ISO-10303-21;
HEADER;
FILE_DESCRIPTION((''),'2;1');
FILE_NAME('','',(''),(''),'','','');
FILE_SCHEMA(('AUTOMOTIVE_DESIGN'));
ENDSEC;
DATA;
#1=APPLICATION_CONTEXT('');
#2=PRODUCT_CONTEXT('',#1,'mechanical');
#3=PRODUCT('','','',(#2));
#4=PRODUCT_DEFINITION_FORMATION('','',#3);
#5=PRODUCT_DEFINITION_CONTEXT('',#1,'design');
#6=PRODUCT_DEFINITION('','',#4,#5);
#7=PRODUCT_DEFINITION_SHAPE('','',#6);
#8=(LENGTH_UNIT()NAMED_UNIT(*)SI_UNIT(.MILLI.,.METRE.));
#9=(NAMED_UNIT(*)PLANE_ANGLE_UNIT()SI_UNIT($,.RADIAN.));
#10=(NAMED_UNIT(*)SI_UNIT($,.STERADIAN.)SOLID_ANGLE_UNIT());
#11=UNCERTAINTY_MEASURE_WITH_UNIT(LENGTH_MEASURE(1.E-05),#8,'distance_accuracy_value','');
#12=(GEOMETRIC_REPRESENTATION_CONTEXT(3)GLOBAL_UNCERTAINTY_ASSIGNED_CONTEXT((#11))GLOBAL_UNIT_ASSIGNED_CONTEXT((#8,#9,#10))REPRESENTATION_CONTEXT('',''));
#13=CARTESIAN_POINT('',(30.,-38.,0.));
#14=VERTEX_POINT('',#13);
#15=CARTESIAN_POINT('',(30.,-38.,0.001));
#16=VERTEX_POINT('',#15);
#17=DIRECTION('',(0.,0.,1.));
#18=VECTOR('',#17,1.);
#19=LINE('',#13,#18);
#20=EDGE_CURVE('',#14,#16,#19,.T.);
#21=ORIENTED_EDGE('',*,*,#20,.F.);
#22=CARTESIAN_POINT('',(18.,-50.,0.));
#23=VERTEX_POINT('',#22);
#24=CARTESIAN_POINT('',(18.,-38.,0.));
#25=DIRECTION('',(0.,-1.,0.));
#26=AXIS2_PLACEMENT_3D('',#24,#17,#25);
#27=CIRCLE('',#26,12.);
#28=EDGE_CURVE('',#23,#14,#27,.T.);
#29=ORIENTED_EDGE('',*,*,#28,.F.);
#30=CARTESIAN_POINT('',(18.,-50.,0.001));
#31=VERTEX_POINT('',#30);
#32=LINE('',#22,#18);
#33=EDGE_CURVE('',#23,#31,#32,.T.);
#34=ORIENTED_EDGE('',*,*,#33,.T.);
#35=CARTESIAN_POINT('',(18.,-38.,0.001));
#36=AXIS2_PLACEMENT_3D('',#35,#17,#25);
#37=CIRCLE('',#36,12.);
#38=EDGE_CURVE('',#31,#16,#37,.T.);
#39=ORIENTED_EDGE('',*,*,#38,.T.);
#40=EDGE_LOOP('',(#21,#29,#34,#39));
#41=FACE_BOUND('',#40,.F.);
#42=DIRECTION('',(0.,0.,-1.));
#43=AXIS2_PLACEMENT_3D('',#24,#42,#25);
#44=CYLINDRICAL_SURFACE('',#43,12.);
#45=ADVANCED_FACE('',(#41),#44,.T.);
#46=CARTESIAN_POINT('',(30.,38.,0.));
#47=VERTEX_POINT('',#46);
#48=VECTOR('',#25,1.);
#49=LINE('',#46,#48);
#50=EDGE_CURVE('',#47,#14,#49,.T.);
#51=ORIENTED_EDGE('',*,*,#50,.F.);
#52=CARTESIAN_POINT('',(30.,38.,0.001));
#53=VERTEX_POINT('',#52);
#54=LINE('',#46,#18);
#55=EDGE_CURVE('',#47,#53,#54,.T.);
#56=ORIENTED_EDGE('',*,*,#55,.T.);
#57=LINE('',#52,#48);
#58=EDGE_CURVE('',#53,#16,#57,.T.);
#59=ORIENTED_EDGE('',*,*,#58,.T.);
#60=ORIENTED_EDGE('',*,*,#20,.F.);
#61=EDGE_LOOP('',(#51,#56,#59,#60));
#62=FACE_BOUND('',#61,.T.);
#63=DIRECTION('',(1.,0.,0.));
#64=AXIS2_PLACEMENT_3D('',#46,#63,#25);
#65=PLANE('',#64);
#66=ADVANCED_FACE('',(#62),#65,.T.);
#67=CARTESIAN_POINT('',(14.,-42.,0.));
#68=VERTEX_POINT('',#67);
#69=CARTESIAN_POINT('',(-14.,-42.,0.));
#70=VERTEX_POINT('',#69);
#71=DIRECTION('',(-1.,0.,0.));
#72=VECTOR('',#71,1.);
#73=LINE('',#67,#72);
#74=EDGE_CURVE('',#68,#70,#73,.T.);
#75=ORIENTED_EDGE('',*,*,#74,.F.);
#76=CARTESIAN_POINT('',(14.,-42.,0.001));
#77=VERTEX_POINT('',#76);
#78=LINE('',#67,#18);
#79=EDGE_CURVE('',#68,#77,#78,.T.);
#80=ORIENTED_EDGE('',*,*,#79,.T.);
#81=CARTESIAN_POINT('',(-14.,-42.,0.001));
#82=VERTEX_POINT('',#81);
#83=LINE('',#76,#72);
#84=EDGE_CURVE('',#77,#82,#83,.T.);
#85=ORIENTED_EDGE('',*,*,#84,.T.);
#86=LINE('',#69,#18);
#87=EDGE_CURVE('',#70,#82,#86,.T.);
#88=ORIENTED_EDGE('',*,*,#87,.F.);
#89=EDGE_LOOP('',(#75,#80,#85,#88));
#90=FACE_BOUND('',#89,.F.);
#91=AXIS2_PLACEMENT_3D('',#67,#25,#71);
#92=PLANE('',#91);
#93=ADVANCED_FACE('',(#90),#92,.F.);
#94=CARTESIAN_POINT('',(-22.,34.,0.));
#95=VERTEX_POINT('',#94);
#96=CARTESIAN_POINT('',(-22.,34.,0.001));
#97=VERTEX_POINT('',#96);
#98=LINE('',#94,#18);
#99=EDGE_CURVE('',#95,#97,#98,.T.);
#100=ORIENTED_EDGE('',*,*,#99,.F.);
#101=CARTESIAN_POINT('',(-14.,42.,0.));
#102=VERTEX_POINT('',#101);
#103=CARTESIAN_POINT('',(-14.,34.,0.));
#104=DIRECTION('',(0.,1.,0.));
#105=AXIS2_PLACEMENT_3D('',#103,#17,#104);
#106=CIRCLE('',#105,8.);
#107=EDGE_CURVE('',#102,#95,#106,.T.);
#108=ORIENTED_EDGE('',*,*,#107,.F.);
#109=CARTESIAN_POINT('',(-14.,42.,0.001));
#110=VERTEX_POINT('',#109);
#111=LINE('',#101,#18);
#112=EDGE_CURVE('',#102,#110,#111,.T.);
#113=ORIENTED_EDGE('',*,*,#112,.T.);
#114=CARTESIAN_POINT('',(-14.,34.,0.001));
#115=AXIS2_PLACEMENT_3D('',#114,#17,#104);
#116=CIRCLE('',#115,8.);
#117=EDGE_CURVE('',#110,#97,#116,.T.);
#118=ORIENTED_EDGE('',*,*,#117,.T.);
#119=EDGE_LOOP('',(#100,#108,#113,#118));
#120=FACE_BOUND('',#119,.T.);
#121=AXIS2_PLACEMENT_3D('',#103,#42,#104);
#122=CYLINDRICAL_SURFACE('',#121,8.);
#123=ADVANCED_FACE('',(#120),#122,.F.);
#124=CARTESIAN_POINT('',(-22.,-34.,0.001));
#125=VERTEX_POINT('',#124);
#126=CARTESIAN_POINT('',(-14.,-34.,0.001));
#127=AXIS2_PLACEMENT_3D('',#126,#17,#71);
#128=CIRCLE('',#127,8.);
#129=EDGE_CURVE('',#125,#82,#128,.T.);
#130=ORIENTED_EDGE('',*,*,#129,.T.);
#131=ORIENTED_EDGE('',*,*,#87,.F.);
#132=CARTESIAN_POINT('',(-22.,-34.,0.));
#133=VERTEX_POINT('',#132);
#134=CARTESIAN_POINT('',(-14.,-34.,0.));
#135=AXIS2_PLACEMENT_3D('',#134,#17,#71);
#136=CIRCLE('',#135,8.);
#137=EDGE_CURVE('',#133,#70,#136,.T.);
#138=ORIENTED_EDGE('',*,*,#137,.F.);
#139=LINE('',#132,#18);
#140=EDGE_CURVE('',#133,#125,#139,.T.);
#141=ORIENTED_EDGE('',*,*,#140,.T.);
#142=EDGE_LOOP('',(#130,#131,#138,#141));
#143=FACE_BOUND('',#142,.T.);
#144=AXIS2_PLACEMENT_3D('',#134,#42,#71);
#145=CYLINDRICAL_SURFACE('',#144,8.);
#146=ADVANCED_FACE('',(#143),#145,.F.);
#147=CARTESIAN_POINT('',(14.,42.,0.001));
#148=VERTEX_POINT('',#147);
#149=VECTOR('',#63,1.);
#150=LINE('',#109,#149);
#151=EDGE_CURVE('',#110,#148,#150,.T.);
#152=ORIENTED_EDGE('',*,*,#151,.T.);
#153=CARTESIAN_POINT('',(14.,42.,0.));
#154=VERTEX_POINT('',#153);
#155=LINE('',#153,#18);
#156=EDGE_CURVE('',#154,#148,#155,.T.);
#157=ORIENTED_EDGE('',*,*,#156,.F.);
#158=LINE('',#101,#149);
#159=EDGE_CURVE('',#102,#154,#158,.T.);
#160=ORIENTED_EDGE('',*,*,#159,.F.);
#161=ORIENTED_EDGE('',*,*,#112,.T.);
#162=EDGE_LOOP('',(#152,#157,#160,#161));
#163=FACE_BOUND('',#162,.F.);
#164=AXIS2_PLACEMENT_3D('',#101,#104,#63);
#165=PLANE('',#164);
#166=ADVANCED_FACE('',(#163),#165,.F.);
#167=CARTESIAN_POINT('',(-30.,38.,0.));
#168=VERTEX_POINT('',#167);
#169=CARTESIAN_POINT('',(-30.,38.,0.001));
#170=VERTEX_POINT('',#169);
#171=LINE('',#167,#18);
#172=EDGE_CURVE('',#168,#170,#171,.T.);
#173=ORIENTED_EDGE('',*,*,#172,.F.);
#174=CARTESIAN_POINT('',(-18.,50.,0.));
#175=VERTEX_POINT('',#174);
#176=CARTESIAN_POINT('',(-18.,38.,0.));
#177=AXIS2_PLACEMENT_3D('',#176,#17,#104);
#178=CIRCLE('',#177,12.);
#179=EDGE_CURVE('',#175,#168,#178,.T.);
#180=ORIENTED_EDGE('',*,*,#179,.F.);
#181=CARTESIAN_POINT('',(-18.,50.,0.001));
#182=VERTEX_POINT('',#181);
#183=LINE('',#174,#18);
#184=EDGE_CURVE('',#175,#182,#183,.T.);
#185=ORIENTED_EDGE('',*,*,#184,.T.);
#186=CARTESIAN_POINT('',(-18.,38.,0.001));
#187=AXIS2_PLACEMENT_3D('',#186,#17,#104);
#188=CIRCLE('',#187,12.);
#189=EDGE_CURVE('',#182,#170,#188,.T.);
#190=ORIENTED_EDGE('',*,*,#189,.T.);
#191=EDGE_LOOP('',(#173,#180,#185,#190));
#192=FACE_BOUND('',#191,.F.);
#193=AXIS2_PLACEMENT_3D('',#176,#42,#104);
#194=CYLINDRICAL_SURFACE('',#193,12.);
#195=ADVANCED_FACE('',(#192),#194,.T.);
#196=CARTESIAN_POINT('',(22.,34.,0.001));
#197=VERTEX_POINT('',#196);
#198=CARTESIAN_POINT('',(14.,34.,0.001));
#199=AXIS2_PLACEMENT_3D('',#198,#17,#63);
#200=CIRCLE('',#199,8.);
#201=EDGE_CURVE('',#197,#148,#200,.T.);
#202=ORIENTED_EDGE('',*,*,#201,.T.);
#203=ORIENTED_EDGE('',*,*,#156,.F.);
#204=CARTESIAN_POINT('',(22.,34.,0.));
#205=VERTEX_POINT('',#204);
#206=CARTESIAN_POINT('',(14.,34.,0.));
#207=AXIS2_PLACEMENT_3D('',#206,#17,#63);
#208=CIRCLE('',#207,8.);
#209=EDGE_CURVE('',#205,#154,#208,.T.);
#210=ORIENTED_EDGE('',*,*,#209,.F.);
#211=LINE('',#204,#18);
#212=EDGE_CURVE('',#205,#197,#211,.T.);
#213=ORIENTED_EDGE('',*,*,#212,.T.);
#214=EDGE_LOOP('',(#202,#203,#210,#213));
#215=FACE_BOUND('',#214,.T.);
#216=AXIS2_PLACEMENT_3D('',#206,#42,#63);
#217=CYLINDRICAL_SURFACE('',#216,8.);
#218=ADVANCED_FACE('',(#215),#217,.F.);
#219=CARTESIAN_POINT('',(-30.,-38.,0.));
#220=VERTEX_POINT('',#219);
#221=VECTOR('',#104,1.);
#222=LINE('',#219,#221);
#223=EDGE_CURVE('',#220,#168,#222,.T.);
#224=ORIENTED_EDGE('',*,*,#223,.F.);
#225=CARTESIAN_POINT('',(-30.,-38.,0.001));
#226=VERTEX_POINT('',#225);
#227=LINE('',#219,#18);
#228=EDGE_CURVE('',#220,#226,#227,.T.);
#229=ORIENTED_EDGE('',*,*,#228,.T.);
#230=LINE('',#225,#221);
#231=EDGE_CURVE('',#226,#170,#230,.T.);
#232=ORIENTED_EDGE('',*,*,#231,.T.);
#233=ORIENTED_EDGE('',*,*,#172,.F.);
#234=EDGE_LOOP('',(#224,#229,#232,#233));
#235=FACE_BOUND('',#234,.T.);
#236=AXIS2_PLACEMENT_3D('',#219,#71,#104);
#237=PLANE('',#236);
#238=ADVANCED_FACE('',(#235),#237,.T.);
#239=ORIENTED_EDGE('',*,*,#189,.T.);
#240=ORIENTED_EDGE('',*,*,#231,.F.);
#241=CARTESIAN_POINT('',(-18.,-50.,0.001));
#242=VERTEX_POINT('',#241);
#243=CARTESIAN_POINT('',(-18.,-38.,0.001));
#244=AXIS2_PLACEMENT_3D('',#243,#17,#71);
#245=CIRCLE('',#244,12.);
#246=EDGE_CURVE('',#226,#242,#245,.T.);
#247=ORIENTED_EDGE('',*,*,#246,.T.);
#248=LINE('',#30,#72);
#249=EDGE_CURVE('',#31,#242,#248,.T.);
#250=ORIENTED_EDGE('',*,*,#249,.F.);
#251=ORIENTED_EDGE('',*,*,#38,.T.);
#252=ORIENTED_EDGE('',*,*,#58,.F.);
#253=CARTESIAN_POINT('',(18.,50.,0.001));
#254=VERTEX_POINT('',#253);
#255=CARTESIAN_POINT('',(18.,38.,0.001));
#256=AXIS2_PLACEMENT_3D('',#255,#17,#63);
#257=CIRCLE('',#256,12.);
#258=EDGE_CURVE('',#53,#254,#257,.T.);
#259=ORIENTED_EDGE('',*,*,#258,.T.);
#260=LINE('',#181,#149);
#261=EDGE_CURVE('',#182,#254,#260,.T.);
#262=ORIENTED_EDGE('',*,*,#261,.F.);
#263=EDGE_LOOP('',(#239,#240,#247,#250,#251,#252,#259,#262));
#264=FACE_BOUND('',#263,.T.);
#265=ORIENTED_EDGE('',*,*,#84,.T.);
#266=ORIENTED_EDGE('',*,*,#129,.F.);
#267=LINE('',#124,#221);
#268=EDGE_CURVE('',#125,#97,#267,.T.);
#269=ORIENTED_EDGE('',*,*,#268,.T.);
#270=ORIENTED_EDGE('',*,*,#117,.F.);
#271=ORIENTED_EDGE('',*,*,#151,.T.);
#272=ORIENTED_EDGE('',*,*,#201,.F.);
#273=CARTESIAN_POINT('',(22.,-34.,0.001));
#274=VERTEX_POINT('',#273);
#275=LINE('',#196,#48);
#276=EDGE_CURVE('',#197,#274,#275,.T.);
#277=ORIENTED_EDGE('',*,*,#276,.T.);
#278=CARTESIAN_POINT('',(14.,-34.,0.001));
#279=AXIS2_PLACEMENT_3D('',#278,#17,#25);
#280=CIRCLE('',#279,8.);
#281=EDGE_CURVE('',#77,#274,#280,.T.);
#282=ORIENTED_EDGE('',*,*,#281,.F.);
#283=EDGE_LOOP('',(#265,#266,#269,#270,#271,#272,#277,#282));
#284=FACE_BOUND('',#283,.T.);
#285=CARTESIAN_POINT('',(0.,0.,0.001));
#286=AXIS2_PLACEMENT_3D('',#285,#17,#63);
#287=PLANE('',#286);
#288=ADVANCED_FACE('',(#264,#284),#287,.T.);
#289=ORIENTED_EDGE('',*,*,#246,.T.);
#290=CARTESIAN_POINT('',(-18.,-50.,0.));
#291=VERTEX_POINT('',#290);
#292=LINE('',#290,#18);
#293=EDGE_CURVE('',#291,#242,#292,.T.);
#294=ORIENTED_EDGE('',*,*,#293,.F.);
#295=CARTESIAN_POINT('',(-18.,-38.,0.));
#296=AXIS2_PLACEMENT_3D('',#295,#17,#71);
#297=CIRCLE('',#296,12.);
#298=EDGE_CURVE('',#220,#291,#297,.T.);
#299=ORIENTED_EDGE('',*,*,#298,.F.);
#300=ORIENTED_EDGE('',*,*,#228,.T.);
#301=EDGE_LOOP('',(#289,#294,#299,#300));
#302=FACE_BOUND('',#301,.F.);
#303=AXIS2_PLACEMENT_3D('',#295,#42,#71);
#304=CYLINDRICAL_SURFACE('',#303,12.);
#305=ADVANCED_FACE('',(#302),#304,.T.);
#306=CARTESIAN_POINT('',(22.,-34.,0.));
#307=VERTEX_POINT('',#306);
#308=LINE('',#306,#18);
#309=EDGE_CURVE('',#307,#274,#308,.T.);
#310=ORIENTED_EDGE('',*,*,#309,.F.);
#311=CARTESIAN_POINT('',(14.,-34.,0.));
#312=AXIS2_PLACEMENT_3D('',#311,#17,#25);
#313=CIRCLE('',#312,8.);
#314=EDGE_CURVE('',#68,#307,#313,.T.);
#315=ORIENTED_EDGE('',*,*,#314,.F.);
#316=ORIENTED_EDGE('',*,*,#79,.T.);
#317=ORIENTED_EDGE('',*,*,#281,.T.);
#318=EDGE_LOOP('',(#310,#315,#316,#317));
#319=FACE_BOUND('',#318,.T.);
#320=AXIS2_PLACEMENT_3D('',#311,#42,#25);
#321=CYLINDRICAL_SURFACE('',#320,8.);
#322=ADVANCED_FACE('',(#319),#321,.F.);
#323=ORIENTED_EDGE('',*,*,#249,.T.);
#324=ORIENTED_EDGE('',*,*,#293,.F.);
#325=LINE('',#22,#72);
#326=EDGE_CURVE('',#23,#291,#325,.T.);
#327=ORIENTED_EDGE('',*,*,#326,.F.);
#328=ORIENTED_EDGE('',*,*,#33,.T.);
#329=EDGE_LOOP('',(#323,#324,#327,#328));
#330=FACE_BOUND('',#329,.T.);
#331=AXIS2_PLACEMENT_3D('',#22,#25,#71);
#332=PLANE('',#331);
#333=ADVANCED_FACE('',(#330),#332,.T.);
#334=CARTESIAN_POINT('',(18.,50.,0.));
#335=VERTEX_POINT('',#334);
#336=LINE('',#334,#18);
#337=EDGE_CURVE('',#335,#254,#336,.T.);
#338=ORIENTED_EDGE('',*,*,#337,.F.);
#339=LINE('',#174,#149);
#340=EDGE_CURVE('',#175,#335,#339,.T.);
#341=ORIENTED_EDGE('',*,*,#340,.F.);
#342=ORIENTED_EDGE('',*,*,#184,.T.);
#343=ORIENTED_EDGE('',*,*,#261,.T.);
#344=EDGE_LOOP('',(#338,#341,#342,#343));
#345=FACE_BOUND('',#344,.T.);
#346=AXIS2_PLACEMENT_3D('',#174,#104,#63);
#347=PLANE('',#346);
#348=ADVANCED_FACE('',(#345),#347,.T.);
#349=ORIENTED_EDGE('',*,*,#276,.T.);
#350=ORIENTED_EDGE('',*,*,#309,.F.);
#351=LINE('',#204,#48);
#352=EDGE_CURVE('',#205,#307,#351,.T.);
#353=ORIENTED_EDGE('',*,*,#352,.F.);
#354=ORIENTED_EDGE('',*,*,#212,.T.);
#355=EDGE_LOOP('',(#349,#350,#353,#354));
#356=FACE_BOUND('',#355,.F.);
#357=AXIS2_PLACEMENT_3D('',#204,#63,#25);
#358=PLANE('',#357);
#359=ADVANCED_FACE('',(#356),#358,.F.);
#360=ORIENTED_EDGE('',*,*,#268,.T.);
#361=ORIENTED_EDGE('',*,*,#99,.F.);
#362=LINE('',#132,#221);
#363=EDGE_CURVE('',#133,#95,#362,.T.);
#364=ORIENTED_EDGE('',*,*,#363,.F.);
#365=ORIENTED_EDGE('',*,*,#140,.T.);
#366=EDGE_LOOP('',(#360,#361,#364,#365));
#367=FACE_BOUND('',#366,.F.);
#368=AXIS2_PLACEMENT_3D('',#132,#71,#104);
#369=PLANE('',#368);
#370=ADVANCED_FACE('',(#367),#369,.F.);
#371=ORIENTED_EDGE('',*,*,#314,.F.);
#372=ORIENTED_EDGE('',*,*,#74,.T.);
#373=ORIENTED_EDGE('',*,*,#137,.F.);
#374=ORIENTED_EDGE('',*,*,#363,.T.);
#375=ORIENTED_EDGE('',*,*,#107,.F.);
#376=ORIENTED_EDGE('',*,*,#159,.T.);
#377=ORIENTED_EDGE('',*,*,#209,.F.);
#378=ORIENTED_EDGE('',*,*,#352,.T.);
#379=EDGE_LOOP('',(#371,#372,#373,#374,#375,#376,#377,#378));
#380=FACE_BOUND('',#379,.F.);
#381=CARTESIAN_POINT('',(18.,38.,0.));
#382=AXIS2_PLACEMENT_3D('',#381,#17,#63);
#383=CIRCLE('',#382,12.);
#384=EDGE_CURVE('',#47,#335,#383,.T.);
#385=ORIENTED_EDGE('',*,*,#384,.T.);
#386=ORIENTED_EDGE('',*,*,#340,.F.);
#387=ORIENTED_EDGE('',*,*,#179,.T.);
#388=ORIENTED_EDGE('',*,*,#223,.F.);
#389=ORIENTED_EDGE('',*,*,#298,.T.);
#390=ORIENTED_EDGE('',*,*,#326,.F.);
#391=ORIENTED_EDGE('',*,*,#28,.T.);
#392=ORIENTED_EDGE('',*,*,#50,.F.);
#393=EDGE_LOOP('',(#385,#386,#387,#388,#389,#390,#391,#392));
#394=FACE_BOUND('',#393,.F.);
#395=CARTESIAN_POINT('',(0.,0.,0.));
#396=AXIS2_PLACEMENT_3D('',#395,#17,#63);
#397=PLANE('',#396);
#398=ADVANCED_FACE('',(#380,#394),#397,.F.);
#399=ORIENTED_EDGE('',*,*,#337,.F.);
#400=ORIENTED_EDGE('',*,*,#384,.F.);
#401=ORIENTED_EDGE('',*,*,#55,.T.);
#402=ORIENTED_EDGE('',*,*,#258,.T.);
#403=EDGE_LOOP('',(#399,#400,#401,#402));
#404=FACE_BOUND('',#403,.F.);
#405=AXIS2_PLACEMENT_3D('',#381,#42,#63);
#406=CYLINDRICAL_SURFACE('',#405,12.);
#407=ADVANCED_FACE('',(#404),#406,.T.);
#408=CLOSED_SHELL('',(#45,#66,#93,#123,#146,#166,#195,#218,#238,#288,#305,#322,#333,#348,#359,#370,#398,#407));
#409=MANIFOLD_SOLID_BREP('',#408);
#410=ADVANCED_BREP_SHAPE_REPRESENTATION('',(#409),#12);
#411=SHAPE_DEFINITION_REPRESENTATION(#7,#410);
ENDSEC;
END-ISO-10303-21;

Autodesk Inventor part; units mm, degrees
ref_plane "YZ Plane" through (0, 0, 0) normal (1, 0, 0) x (0, 1, 0)
ref_plane "Startebene" through (0, 0, 0) normal (0, 0, 1) x (1, 0, 0)
ref_plane "Endebene" through (0, 0, 0.001) normal (0, 0, 1) x (1, 0, 0)
sketch "Skizze" plane through (0, 0, 0) normal (0, 0, 1) x (1, 0, 0)
  line L0 (-30, -38) -> (-30, 38)
  line L1 (-18, 50) -> (18, 50)
  line L2 (30, 38) -> (30, -38)
  line L3 (18, -50) -> (-18, -50)
  arc A0 (-30, -38) -> (-18, -50) centre (-18, -38) ccw
  arc A1 (-18, 50) -> (-30, 38) centre (-18, 38) ccw
  arc A2 (30, 38) -> (18, 50) centre (18, 38) ccw
  arc A3 (18, -50) -> (30, -38) centre (18, -38) ccw
  line L4 (-14, 42) -> (14, 42)
  line L5 (22, 34) -> (22, -34)
  line L6 (14, -42) -> (-14, -42)
  line L7 (-22, -34) -> (-22, 34)
  line L8 (0, 37.1021) -> (0, -37.1021) construction
  line L9 (-23.1021, 0) -> (23.1021, 0) construction
  arc A4 (-22, -34) -> (-14, -42) centre (-14, -34) ccw
  arc A5 (-14, 42) -> (-22, 34) centre (-14, 34) ccw
  arc A6 (22, 34) -> (14, 42) centre (14, 34) ccw
  arc A7 (14, -42) -> (22, -34) centre (14, -34) ccw
  dimension "d7" = 12
  dimension "d10" = 100
  dimension "d11" = 60
  dimension "d12" = 8
  dimension "d15" = 50
  dimension "d16" = 30
  dimension "d19" = 8
  dimension "d20" = 8
extrude "Körper" add sketch "Skizze" along normal up to surface (0.001 mm away) from surface at 0
sketch "Sketch3" plane through (0, 0, 0) normal (0, 0, 1) x (1, 0, 0)
  line L0 (0, 0) -> (10, 0)
ref_plane "Work Plane3" through (0, 0, 0) normal (0, -1, 0) x (1, 0, 0)
sketch "Sketch4" plane through (0, 0, 0) normal (0, -1, 0) x (1, 0, 0)
  line L0 (-2, 0) -> (12, 0)
  line L1 (-2, 0.001) -> (12, 0.001)
  dimension "d18" = 0.001
equation "\"d7\" = G_IR"
equation "\"d10\" = G_H"
equation "\"d11\" = G_W"
equation "\"d12\" = G_T"
equation "\"d15\" = 0.5 * d10"
equation "\"d16\" = 0.5 * d11"
equation "\"d19\" = G_T"
equation "\"d20\" = G_T"
equation "\"d3\" = G_L"
equation "\"G_W\" = 60"
equation "\"G_H\" = 100"
equation "\"G_T\" = 8"
equation "\"G_IR\" = 12"
equation "\"G_L\" = d18"
equation "\"G_OFFSET_START\" = 0"
equation "\"G_OFFSET_END\" = 0"
equation "\"d14\" = G_OFFSET_END + B_L"
equation "\"B_L\" = 0.001"
properties part number "EN 10210-2 - 100 x 60 x 8 - 0,001" material "Stahl, weich"
